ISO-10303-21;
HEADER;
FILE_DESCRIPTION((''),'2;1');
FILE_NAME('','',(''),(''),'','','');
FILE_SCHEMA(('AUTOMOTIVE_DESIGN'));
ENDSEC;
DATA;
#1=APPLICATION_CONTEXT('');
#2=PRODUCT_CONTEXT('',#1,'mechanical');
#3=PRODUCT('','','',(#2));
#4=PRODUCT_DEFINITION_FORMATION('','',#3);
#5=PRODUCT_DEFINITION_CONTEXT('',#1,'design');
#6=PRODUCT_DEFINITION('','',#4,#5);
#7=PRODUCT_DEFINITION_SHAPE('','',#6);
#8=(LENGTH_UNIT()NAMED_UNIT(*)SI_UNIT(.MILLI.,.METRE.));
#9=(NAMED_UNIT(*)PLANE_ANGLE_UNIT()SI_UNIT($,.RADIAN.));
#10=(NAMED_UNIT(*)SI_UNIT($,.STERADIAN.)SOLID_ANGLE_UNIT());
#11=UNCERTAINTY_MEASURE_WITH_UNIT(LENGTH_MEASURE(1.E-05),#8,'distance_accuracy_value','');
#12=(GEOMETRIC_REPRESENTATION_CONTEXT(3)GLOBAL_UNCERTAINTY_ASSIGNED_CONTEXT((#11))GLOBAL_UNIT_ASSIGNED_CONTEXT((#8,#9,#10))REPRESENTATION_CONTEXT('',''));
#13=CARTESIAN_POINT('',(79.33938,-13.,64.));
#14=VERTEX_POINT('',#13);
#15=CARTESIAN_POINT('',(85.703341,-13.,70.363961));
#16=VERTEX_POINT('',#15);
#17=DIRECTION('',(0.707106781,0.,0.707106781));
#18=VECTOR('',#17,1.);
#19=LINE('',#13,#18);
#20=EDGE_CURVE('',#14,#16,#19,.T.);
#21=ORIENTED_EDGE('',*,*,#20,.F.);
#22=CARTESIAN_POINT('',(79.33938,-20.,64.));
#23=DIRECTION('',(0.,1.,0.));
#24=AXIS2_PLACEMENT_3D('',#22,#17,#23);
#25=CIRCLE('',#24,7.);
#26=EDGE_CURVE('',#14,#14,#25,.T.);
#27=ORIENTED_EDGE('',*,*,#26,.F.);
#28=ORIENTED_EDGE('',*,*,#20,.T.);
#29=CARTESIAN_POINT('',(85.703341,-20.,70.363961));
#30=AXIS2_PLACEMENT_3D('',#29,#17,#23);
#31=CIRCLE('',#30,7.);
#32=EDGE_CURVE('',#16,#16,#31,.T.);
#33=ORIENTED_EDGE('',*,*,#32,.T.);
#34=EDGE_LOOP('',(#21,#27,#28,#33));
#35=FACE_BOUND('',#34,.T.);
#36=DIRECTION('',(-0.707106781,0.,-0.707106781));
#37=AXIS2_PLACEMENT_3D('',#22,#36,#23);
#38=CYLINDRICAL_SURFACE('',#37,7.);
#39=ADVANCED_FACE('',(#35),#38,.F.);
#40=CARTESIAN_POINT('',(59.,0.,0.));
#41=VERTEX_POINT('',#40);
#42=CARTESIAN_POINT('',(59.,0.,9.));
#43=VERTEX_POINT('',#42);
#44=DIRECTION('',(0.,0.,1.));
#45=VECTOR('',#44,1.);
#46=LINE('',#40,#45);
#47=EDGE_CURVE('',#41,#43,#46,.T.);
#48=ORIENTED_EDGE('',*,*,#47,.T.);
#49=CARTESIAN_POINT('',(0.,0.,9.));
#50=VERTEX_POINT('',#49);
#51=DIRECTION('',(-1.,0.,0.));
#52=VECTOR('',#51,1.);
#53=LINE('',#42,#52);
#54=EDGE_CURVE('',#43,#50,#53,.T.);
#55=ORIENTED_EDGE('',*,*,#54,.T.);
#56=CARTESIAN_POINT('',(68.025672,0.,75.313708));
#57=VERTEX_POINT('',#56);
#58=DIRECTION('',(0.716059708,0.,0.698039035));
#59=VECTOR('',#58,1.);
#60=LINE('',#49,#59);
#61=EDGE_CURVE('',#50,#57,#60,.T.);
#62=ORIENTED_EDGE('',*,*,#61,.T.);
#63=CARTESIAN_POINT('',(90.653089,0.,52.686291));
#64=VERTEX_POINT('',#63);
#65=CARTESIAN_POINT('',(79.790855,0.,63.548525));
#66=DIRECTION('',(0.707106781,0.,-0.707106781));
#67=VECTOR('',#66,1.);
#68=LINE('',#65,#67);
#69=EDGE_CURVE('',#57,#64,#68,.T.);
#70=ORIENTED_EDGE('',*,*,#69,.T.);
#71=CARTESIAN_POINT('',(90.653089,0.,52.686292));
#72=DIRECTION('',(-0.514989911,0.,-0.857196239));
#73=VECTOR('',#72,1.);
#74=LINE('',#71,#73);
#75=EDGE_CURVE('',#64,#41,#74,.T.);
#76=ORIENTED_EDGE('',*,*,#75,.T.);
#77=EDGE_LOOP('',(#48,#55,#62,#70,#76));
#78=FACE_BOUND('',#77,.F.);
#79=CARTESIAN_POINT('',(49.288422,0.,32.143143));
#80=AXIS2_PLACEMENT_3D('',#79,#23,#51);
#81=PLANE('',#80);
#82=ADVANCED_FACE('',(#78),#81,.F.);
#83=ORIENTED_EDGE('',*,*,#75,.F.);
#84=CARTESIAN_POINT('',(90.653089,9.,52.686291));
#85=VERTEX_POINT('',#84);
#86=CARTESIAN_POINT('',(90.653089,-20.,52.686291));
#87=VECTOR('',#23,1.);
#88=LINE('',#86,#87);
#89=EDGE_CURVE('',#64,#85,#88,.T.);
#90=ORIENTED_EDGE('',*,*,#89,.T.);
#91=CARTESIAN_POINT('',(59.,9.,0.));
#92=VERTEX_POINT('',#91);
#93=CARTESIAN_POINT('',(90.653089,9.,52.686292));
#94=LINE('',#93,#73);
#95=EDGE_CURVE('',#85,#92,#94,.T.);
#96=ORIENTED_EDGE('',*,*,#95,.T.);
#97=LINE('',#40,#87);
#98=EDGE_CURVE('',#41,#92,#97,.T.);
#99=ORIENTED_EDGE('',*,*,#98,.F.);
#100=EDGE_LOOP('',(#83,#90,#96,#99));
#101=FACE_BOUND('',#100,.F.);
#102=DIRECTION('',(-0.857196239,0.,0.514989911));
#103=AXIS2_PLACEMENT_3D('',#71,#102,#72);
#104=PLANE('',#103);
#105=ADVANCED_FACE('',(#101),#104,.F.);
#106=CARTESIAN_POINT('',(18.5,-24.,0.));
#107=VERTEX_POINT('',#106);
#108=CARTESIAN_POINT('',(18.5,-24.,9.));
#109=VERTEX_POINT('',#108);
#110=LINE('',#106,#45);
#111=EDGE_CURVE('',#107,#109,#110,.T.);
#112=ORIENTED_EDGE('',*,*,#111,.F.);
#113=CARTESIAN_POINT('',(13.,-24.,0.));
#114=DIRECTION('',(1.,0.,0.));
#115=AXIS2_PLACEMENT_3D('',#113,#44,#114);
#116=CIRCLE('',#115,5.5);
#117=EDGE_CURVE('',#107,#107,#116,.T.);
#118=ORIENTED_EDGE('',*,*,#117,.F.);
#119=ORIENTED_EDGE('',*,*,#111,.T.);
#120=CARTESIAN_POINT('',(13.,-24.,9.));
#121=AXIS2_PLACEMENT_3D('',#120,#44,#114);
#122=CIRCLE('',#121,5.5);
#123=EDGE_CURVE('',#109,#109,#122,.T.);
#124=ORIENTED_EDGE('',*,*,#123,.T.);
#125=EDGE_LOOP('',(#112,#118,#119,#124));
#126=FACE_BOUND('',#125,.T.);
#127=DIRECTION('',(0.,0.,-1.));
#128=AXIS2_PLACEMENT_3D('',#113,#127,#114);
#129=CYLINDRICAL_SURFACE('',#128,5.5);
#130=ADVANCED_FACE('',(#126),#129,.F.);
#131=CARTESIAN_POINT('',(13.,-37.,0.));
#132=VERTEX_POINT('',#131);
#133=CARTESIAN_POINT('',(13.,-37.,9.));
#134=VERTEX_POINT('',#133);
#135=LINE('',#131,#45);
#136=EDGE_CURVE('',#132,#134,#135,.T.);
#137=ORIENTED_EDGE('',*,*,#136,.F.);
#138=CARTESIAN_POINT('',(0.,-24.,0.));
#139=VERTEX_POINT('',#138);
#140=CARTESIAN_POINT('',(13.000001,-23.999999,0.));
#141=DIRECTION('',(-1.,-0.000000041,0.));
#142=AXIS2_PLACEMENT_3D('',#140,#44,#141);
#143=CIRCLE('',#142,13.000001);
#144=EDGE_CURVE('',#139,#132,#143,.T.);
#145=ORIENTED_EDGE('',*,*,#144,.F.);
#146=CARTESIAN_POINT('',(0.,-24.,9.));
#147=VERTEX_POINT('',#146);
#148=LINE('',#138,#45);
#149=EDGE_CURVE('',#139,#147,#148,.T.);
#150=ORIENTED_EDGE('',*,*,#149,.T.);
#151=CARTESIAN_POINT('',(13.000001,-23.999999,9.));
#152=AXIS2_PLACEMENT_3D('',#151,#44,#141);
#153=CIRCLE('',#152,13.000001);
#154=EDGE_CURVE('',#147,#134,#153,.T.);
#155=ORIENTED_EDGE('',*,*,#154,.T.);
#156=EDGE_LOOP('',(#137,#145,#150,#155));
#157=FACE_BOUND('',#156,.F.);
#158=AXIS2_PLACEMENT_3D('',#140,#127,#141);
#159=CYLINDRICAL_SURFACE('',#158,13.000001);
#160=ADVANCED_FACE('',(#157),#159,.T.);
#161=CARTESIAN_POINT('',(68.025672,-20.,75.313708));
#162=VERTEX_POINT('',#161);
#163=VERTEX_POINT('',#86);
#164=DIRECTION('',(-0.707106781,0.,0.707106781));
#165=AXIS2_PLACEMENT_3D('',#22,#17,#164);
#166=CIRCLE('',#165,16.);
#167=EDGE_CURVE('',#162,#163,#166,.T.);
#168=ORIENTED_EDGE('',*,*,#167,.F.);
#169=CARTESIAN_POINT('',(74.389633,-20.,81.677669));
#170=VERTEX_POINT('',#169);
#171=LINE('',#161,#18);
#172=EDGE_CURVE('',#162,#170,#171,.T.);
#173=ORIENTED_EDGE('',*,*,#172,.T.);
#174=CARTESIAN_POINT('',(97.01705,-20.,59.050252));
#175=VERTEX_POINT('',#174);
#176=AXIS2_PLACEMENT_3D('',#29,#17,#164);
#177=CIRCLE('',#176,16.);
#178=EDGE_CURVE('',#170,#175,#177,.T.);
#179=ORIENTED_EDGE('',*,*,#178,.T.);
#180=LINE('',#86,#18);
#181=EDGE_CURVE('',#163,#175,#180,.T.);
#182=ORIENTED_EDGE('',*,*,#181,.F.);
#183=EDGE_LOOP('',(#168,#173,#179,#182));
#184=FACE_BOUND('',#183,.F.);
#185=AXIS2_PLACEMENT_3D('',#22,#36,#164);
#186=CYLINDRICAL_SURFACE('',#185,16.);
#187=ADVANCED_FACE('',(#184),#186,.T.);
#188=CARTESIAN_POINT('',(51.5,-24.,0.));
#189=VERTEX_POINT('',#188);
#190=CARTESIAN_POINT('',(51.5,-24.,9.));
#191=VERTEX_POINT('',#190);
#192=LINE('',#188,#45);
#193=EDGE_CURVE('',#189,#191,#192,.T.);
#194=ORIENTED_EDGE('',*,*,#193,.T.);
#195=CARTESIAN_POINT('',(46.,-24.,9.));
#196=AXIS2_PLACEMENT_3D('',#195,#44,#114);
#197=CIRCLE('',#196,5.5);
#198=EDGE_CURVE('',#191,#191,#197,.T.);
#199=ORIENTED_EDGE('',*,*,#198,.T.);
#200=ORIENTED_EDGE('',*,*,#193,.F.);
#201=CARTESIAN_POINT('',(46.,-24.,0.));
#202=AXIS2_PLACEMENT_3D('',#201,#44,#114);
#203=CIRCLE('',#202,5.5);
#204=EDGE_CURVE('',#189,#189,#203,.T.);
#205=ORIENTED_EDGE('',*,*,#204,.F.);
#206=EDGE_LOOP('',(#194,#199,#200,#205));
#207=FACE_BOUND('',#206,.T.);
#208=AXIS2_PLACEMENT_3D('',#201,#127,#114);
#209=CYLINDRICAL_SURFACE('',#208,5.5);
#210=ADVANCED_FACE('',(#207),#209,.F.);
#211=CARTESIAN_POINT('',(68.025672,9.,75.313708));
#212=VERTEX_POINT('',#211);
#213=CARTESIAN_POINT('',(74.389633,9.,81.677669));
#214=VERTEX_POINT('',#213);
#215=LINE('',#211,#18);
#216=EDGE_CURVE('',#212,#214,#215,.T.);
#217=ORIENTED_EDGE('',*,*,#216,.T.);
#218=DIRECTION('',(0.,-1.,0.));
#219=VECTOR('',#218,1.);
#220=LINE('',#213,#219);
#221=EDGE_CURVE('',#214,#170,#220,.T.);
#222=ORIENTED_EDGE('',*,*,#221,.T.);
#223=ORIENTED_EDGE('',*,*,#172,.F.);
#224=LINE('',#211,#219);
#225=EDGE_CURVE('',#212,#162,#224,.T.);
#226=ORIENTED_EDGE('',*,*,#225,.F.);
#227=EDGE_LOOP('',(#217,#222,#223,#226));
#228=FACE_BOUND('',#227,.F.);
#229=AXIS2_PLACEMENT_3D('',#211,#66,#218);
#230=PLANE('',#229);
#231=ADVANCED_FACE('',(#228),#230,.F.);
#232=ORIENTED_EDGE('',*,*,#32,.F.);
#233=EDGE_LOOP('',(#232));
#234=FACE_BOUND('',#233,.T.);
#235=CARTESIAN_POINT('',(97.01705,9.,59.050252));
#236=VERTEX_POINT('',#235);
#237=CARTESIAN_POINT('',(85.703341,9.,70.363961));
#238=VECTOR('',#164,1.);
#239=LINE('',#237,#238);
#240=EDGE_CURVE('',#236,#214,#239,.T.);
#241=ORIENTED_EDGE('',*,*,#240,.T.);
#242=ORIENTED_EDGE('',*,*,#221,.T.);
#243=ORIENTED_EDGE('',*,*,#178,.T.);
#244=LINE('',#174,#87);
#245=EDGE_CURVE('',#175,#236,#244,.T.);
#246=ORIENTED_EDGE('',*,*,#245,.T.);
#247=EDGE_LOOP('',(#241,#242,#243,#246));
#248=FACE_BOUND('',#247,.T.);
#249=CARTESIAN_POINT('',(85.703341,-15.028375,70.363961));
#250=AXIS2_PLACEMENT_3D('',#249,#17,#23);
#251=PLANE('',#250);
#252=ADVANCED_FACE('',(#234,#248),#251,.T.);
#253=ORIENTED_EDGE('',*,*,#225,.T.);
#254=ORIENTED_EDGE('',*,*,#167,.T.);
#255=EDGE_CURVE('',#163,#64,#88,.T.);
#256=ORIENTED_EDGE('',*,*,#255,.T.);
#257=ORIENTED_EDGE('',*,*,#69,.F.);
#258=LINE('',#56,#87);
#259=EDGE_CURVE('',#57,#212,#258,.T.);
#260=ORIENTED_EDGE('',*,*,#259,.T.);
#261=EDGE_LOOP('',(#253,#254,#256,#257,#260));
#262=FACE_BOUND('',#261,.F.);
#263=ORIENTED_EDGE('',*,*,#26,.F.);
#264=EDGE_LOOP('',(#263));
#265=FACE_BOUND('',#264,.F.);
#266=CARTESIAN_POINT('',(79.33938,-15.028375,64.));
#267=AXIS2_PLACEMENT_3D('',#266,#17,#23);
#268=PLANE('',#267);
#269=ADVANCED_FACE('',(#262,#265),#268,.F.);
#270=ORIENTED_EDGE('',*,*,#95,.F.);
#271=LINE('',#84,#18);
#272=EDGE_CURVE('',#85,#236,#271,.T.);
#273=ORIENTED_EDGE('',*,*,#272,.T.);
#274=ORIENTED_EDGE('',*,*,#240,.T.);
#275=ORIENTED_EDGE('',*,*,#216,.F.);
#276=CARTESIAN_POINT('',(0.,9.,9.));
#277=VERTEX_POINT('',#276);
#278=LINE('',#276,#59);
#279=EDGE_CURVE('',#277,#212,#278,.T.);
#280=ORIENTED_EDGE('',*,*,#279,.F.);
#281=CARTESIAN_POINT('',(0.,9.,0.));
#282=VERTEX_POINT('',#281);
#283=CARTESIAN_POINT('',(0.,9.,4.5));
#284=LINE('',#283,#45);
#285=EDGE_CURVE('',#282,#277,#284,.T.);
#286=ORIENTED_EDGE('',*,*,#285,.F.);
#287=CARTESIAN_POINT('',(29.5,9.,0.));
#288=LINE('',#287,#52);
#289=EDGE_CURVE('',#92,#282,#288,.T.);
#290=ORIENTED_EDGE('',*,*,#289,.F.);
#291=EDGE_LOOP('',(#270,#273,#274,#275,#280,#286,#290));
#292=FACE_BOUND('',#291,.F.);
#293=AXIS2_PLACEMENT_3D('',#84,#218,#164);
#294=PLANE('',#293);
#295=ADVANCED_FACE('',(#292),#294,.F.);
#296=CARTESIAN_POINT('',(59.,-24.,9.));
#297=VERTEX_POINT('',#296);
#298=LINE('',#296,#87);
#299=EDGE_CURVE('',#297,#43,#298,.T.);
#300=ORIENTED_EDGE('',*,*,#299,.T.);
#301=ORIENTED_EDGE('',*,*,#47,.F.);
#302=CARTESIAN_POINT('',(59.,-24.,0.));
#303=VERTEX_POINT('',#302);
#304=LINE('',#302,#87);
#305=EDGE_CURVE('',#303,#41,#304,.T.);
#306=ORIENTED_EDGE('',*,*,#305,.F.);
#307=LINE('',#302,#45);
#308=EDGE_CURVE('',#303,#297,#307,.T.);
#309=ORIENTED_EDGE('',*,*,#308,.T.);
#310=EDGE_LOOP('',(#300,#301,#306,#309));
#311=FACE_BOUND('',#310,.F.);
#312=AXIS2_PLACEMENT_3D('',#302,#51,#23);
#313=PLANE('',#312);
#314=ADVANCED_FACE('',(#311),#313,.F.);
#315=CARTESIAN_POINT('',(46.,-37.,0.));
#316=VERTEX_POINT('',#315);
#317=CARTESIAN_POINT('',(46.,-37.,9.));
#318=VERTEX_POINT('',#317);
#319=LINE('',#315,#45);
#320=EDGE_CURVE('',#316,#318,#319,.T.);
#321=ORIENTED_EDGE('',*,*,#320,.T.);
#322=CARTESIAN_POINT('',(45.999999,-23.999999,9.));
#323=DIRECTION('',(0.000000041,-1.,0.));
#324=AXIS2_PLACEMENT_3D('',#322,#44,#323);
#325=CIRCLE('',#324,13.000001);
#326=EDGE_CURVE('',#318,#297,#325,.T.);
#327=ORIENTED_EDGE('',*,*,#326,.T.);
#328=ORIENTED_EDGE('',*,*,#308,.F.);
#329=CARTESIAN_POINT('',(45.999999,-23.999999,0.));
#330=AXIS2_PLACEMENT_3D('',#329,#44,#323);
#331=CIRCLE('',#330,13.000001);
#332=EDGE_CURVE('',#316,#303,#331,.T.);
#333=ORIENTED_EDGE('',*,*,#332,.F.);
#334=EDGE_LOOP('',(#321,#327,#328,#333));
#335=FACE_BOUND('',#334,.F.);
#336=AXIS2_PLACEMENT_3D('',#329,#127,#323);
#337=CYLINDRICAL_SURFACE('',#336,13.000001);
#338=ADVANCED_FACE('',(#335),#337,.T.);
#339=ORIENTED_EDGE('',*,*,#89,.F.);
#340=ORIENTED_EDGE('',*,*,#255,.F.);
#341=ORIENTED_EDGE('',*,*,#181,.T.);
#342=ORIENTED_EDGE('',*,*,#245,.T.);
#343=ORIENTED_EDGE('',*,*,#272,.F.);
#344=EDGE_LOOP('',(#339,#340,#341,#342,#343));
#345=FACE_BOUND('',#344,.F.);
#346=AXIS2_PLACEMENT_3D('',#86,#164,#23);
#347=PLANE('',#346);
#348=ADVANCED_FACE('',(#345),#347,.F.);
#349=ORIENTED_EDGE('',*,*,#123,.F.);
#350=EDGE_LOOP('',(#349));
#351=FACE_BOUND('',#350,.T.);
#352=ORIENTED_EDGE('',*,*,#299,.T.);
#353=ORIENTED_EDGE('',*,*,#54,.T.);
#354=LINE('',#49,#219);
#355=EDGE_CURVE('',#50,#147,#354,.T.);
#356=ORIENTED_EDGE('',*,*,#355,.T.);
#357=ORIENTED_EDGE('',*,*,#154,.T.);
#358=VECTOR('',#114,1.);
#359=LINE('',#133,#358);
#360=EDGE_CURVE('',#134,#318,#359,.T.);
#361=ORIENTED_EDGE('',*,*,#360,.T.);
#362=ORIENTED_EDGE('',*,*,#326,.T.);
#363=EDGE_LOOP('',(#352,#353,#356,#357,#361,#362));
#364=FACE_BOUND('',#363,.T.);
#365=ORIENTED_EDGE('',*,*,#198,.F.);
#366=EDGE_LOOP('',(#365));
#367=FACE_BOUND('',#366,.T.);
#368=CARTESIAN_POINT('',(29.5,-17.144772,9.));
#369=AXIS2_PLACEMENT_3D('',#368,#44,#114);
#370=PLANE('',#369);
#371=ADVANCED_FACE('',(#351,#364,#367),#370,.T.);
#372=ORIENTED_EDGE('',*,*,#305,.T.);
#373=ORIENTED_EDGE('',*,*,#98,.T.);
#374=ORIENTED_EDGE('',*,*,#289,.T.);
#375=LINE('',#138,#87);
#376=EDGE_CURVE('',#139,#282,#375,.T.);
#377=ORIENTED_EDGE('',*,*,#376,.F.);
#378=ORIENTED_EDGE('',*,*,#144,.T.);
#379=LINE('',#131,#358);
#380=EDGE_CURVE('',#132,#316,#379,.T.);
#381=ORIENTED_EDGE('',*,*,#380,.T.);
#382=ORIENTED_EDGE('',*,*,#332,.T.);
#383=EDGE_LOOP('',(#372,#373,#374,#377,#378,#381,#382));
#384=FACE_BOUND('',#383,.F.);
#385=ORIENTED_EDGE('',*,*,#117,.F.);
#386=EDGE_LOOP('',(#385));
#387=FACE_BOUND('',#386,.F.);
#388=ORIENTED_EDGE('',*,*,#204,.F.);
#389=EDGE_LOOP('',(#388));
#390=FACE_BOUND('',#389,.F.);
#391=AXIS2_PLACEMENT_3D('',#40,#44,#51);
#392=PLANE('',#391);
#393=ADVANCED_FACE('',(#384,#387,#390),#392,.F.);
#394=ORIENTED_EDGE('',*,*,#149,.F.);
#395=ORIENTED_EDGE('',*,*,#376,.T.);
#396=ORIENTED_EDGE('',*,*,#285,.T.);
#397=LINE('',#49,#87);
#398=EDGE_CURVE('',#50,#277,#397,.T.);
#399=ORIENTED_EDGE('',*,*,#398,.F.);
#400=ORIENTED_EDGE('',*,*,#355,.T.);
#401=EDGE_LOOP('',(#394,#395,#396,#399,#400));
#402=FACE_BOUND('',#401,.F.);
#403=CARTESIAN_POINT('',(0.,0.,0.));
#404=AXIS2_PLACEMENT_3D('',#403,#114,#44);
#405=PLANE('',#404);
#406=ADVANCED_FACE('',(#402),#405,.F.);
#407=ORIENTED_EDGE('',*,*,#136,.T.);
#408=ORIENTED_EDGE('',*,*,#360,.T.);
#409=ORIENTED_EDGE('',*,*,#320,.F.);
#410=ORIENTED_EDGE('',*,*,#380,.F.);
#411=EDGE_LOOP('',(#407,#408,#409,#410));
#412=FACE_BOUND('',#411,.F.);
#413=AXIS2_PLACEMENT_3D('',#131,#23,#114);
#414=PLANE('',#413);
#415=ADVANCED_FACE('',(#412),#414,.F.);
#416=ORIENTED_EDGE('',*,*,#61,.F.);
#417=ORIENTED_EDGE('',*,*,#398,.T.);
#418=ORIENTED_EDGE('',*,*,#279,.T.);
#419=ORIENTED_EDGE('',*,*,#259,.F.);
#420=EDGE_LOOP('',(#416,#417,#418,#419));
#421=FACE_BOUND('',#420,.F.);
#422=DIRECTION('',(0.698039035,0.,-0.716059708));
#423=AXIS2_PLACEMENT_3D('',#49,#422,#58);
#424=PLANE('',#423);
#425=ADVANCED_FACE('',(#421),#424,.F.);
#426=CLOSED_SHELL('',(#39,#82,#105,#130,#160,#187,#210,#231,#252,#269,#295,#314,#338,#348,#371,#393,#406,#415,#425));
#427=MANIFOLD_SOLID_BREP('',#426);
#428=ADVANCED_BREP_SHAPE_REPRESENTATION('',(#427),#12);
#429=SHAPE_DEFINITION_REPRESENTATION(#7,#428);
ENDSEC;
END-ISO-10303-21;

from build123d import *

# Parameters (mm, degrees)
F0_R     = 5.5
F1_DEPTH = 9
F2_W     = 59
F2_H     = 9
F3_DEPTH = 9
F4_R     = 7
F4_W     = 9
F4_H     = 32
F5_DEPTH = 9


with BuildPart() as f1:
    # F0 (on Top) → F1 (new body)
    with BuildSketch(Plane.XY):
        with BuildLine():
            Line((59, 0), (0, 0))
            Line((0, 0), (0, -24))
            ThreePointArc((0, -24), (3.807612, -33.192388), (13, -37))
            Line((13, -37), (46, -37))
            ThreePointArc((46, -37), (55.192388, -33.192388), (59, -24))
            Line((59, -24), (59, 0))
        make_face()
        with Locations((13, -24)):
            Circle(F0_R, mode=Mode.SUBTRACT)
        with Locations((46, -24)):
            Circle(F0_R, mode=Mode.SUBTRACT)
    extrude(amount=F1_DEPTH)

    # F2 (on face) → F3 (join)
    with BuildSketch(Plane(origin=(0, 0, 0), x_dir=(-1, 0, 0), z_dir=(0, 1, 0))):
        Polygon((-90.653089, 52.686292), (-59, 0), (-59, 9), (0, 9), (-68.025672, 75.313708), align=None)
        with Locations((-29.5, 4.5)):
            Rectangle(F2_W, F2_H)
    extrude(amount=F3_DEPTH)

    # F4 (on face) → F5 (join)
    with BuildSketch(Plane(origin=(71.66969, 0, 71.66969), x_dir=(0, 1, 0), z_dir=(0.707107, 0, 0.707107))):
        with BuildLine():
            Line((0, -26.84658), (0, 5.15342))
            Line((0, 5.15342), (-20, 5.15342))
            ThreePointArc((-20, 5.15342), (-36, -10.84658), (-20, -26.84658))
            Line((-20, -26.84658), (0, -26.84658))
        make_face()
        with Locations((-20, -10.84658)):
            Circle(F4_R, mode=Mode.SUBTRACT)
        with Locations((4.5, -10.84658)):
            Rectangle(F4_W, F4_H)
    extrude(amount=F5_DEPTH)


solid = f1.part
